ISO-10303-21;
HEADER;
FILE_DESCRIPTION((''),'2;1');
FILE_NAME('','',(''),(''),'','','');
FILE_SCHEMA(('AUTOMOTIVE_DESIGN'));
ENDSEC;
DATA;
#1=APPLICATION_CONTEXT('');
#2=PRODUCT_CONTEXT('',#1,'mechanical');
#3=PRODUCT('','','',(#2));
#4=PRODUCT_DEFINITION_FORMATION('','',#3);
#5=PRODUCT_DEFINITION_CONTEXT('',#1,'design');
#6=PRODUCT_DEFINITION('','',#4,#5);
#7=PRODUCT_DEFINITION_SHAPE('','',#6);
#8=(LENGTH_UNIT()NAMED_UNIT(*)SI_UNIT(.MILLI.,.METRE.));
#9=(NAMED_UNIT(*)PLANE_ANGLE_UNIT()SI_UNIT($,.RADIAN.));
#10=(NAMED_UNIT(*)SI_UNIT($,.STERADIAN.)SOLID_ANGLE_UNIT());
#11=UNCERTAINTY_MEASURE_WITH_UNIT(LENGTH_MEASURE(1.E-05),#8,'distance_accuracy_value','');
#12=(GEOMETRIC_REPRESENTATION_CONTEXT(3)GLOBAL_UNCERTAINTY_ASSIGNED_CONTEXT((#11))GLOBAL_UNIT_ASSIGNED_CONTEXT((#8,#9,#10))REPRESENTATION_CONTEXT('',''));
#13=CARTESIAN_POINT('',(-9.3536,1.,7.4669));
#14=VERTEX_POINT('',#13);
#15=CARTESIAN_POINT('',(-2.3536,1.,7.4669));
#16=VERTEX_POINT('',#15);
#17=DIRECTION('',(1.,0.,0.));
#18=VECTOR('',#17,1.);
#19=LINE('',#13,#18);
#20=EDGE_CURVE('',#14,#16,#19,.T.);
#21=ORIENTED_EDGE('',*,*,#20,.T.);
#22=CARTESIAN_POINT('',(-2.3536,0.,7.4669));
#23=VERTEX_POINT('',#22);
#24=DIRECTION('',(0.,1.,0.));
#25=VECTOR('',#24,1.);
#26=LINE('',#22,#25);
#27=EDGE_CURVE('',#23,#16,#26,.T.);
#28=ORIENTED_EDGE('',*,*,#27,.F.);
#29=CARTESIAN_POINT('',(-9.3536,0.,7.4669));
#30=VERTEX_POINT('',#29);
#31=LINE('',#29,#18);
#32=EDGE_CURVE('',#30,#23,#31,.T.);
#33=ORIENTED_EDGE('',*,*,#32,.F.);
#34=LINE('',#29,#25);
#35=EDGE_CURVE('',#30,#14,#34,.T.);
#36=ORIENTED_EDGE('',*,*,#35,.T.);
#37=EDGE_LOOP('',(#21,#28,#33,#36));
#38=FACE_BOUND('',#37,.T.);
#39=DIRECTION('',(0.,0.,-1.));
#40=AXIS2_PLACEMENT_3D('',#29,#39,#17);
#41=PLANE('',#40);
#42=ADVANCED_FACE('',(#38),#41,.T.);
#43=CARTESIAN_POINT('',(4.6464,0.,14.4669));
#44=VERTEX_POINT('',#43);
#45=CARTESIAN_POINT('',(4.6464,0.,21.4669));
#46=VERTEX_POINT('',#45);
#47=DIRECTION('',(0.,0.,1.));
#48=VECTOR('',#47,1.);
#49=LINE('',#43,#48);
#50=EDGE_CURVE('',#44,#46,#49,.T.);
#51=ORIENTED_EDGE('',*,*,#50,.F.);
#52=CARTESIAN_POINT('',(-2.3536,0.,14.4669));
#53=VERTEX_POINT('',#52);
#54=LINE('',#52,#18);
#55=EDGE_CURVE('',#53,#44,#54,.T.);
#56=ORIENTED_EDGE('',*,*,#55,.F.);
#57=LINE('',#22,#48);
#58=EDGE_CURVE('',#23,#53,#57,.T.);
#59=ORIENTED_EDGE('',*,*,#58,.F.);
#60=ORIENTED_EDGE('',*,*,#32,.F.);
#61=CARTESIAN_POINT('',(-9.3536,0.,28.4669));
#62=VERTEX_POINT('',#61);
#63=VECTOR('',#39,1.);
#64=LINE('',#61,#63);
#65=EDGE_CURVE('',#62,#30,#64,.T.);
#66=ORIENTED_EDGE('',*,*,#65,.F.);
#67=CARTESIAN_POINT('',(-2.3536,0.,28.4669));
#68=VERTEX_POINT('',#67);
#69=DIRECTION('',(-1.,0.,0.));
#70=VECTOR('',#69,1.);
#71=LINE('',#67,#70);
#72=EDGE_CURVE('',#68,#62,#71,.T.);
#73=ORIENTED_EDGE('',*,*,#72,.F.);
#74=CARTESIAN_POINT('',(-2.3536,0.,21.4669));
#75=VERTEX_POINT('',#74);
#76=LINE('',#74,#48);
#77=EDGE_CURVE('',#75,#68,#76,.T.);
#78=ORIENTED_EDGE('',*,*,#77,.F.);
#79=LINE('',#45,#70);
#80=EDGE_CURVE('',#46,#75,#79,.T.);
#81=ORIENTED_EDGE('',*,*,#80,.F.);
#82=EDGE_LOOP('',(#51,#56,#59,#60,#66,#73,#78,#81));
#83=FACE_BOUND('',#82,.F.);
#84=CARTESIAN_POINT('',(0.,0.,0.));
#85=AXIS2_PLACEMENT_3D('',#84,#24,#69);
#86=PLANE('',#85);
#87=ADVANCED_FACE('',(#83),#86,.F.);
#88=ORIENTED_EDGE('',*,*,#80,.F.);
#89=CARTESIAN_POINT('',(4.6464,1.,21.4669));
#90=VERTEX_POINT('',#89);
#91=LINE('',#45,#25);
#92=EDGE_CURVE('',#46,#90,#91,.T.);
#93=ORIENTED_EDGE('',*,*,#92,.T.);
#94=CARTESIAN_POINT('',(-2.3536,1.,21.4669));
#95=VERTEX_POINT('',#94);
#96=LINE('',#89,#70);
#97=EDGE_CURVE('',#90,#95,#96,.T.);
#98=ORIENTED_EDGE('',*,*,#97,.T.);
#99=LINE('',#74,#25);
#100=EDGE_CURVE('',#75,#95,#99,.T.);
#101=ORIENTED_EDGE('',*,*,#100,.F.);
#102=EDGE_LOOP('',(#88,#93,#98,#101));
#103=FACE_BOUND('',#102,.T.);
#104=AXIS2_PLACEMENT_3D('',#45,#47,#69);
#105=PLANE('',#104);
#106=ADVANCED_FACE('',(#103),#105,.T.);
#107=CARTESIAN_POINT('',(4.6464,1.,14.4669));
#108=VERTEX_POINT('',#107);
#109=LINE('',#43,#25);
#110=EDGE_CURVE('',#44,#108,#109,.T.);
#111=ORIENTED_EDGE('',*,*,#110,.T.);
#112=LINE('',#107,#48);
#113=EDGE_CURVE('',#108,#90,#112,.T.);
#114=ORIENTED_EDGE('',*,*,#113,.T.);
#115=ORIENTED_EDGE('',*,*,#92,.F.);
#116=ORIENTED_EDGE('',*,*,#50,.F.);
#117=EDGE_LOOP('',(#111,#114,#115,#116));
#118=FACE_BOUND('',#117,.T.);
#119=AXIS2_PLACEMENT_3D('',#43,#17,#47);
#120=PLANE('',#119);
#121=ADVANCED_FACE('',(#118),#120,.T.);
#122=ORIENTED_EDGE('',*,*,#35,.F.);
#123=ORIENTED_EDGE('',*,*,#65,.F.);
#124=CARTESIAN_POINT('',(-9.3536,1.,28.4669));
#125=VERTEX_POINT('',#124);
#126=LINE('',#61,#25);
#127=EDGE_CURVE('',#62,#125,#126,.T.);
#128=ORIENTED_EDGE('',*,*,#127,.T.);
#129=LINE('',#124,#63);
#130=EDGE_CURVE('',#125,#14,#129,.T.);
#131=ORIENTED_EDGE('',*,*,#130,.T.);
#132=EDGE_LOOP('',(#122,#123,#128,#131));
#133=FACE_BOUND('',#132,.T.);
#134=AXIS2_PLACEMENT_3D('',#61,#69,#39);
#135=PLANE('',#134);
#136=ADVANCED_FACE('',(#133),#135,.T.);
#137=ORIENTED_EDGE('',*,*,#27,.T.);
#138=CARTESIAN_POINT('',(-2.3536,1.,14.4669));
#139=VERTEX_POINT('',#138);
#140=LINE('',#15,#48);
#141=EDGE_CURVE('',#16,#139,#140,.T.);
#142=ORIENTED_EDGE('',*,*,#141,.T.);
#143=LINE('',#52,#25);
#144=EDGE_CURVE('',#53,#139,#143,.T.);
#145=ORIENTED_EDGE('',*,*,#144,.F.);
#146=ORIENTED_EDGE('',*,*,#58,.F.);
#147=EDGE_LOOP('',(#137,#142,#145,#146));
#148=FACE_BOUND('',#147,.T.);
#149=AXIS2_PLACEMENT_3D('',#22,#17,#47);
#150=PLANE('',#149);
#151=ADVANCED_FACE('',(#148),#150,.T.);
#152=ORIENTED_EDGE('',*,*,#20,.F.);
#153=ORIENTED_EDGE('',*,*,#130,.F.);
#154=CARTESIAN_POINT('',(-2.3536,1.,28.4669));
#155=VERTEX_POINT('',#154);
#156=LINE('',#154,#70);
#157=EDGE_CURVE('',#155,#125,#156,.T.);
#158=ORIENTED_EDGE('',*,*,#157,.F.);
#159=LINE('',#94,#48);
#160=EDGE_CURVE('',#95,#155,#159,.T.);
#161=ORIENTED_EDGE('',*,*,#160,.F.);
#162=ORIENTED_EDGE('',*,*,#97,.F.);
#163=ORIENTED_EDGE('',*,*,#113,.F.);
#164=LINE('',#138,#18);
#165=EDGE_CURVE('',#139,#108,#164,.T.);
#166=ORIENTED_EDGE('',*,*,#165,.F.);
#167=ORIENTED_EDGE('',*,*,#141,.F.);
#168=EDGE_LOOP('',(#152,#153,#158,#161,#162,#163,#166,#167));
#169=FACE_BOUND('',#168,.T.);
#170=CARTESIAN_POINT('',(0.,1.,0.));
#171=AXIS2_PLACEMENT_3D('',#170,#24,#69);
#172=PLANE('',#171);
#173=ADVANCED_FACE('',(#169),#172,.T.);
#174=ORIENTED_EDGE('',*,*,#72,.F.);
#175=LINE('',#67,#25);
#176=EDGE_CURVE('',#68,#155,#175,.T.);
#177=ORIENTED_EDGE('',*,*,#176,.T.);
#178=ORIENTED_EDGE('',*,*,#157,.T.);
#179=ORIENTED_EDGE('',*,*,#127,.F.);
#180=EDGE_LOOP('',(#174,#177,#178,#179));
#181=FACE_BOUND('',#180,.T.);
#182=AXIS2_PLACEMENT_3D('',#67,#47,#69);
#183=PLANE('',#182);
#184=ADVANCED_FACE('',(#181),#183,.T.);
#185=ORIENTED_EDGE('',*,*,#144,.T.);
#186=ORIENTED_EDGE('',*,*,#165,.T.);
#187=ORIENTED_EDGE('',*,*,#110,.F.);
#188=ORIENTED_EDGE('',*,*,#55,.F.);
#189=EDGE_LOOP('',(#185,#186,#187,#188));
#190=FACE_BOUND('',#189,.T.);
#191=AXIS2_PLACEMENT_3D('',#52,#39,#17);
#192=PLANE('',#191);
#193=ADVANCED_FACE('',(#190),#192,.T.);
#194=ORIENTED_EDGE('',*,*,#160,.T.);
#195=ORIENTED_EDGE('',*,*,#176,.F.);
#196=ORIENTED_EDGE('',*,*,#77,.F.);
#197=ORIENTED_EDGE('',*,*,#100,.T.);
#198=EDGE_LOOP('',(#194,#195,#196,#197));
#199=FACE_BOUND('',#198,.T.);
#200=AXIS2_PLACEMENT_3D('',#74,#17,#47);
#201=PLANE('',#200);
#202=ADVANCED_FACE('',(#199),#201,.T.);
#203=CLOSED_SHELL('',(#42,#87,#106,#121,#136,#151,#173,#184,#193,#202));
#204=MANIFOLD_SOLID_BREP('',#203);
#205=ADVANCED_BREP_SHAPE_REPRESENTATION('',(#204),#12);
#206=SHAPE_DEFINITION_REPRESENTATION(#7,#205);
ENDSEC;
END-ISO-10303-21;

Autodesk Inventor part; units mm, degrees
ref_plane "YZ Plane" through (0, 0, 0) normal (1, 0, 0) x (0, 1, 0)
ref_plane "XZ Plane" through (0, 0, 0) normal (0, 1, 0) x (-1, 0, 0)
ref_plane "XY Plane" through (0, 0, 0) normal (0, 0, 1) x (1, 0, 0)
sketch "Sketch1" plane through (0, 0, 0) normal (0, 1, 0) x (-1, 0, 0)
  line L0 (9.3536, 7.4669) -> (2.3536, 7.4669)
  line L1 (2.3536, 7.4669) -> (2.3536, 14.4669)
  line L2 (2.3536, 14.4669) -> (-4.6464, 14.4669)
  line L3 (-4.6464, 14.4669) -> (-4.6464, 21.4669)
  line L4 (-4.6464, 21.4669) -> (2.3536, 21.4669)
  line L5 (2.3536, 21.4669) -> (2.3536, 28.4669)
  line L6 (2.3536, 28.4669) -> (9.3536, 28.4669)
  line L7 (9.3536, 28.4669) -> (9.3536, 7.4669)
  point P0 (0, 0)
  dimension "d0" = 7
  dimension "d1" = 7
  dimension "d2" = 21
extrude "Plate1" add sketch "Sketch1" along normal blind 1
equation "\"d3\" = Thickness"
equation "\"BendRadius\" = Thickness"
equation "\"BendReliefWidth\" = Thickness"
equation "\"BendReliefDepth\" = 0.5 * Thickness"
equation "\"CornerReliefSize\" = 4 * Thickness"
equation "\"MinimumRemnant\" = 2 * Thickness"
equation "\"TransitionRadius\" = BendRadius"
equation "\"JacobiRadiusSize\" = BendRadius"
equation "\"GapSize\" = Thickness"
equation "\"Thickness\" = 1"
properties material "Steel, Mild"
